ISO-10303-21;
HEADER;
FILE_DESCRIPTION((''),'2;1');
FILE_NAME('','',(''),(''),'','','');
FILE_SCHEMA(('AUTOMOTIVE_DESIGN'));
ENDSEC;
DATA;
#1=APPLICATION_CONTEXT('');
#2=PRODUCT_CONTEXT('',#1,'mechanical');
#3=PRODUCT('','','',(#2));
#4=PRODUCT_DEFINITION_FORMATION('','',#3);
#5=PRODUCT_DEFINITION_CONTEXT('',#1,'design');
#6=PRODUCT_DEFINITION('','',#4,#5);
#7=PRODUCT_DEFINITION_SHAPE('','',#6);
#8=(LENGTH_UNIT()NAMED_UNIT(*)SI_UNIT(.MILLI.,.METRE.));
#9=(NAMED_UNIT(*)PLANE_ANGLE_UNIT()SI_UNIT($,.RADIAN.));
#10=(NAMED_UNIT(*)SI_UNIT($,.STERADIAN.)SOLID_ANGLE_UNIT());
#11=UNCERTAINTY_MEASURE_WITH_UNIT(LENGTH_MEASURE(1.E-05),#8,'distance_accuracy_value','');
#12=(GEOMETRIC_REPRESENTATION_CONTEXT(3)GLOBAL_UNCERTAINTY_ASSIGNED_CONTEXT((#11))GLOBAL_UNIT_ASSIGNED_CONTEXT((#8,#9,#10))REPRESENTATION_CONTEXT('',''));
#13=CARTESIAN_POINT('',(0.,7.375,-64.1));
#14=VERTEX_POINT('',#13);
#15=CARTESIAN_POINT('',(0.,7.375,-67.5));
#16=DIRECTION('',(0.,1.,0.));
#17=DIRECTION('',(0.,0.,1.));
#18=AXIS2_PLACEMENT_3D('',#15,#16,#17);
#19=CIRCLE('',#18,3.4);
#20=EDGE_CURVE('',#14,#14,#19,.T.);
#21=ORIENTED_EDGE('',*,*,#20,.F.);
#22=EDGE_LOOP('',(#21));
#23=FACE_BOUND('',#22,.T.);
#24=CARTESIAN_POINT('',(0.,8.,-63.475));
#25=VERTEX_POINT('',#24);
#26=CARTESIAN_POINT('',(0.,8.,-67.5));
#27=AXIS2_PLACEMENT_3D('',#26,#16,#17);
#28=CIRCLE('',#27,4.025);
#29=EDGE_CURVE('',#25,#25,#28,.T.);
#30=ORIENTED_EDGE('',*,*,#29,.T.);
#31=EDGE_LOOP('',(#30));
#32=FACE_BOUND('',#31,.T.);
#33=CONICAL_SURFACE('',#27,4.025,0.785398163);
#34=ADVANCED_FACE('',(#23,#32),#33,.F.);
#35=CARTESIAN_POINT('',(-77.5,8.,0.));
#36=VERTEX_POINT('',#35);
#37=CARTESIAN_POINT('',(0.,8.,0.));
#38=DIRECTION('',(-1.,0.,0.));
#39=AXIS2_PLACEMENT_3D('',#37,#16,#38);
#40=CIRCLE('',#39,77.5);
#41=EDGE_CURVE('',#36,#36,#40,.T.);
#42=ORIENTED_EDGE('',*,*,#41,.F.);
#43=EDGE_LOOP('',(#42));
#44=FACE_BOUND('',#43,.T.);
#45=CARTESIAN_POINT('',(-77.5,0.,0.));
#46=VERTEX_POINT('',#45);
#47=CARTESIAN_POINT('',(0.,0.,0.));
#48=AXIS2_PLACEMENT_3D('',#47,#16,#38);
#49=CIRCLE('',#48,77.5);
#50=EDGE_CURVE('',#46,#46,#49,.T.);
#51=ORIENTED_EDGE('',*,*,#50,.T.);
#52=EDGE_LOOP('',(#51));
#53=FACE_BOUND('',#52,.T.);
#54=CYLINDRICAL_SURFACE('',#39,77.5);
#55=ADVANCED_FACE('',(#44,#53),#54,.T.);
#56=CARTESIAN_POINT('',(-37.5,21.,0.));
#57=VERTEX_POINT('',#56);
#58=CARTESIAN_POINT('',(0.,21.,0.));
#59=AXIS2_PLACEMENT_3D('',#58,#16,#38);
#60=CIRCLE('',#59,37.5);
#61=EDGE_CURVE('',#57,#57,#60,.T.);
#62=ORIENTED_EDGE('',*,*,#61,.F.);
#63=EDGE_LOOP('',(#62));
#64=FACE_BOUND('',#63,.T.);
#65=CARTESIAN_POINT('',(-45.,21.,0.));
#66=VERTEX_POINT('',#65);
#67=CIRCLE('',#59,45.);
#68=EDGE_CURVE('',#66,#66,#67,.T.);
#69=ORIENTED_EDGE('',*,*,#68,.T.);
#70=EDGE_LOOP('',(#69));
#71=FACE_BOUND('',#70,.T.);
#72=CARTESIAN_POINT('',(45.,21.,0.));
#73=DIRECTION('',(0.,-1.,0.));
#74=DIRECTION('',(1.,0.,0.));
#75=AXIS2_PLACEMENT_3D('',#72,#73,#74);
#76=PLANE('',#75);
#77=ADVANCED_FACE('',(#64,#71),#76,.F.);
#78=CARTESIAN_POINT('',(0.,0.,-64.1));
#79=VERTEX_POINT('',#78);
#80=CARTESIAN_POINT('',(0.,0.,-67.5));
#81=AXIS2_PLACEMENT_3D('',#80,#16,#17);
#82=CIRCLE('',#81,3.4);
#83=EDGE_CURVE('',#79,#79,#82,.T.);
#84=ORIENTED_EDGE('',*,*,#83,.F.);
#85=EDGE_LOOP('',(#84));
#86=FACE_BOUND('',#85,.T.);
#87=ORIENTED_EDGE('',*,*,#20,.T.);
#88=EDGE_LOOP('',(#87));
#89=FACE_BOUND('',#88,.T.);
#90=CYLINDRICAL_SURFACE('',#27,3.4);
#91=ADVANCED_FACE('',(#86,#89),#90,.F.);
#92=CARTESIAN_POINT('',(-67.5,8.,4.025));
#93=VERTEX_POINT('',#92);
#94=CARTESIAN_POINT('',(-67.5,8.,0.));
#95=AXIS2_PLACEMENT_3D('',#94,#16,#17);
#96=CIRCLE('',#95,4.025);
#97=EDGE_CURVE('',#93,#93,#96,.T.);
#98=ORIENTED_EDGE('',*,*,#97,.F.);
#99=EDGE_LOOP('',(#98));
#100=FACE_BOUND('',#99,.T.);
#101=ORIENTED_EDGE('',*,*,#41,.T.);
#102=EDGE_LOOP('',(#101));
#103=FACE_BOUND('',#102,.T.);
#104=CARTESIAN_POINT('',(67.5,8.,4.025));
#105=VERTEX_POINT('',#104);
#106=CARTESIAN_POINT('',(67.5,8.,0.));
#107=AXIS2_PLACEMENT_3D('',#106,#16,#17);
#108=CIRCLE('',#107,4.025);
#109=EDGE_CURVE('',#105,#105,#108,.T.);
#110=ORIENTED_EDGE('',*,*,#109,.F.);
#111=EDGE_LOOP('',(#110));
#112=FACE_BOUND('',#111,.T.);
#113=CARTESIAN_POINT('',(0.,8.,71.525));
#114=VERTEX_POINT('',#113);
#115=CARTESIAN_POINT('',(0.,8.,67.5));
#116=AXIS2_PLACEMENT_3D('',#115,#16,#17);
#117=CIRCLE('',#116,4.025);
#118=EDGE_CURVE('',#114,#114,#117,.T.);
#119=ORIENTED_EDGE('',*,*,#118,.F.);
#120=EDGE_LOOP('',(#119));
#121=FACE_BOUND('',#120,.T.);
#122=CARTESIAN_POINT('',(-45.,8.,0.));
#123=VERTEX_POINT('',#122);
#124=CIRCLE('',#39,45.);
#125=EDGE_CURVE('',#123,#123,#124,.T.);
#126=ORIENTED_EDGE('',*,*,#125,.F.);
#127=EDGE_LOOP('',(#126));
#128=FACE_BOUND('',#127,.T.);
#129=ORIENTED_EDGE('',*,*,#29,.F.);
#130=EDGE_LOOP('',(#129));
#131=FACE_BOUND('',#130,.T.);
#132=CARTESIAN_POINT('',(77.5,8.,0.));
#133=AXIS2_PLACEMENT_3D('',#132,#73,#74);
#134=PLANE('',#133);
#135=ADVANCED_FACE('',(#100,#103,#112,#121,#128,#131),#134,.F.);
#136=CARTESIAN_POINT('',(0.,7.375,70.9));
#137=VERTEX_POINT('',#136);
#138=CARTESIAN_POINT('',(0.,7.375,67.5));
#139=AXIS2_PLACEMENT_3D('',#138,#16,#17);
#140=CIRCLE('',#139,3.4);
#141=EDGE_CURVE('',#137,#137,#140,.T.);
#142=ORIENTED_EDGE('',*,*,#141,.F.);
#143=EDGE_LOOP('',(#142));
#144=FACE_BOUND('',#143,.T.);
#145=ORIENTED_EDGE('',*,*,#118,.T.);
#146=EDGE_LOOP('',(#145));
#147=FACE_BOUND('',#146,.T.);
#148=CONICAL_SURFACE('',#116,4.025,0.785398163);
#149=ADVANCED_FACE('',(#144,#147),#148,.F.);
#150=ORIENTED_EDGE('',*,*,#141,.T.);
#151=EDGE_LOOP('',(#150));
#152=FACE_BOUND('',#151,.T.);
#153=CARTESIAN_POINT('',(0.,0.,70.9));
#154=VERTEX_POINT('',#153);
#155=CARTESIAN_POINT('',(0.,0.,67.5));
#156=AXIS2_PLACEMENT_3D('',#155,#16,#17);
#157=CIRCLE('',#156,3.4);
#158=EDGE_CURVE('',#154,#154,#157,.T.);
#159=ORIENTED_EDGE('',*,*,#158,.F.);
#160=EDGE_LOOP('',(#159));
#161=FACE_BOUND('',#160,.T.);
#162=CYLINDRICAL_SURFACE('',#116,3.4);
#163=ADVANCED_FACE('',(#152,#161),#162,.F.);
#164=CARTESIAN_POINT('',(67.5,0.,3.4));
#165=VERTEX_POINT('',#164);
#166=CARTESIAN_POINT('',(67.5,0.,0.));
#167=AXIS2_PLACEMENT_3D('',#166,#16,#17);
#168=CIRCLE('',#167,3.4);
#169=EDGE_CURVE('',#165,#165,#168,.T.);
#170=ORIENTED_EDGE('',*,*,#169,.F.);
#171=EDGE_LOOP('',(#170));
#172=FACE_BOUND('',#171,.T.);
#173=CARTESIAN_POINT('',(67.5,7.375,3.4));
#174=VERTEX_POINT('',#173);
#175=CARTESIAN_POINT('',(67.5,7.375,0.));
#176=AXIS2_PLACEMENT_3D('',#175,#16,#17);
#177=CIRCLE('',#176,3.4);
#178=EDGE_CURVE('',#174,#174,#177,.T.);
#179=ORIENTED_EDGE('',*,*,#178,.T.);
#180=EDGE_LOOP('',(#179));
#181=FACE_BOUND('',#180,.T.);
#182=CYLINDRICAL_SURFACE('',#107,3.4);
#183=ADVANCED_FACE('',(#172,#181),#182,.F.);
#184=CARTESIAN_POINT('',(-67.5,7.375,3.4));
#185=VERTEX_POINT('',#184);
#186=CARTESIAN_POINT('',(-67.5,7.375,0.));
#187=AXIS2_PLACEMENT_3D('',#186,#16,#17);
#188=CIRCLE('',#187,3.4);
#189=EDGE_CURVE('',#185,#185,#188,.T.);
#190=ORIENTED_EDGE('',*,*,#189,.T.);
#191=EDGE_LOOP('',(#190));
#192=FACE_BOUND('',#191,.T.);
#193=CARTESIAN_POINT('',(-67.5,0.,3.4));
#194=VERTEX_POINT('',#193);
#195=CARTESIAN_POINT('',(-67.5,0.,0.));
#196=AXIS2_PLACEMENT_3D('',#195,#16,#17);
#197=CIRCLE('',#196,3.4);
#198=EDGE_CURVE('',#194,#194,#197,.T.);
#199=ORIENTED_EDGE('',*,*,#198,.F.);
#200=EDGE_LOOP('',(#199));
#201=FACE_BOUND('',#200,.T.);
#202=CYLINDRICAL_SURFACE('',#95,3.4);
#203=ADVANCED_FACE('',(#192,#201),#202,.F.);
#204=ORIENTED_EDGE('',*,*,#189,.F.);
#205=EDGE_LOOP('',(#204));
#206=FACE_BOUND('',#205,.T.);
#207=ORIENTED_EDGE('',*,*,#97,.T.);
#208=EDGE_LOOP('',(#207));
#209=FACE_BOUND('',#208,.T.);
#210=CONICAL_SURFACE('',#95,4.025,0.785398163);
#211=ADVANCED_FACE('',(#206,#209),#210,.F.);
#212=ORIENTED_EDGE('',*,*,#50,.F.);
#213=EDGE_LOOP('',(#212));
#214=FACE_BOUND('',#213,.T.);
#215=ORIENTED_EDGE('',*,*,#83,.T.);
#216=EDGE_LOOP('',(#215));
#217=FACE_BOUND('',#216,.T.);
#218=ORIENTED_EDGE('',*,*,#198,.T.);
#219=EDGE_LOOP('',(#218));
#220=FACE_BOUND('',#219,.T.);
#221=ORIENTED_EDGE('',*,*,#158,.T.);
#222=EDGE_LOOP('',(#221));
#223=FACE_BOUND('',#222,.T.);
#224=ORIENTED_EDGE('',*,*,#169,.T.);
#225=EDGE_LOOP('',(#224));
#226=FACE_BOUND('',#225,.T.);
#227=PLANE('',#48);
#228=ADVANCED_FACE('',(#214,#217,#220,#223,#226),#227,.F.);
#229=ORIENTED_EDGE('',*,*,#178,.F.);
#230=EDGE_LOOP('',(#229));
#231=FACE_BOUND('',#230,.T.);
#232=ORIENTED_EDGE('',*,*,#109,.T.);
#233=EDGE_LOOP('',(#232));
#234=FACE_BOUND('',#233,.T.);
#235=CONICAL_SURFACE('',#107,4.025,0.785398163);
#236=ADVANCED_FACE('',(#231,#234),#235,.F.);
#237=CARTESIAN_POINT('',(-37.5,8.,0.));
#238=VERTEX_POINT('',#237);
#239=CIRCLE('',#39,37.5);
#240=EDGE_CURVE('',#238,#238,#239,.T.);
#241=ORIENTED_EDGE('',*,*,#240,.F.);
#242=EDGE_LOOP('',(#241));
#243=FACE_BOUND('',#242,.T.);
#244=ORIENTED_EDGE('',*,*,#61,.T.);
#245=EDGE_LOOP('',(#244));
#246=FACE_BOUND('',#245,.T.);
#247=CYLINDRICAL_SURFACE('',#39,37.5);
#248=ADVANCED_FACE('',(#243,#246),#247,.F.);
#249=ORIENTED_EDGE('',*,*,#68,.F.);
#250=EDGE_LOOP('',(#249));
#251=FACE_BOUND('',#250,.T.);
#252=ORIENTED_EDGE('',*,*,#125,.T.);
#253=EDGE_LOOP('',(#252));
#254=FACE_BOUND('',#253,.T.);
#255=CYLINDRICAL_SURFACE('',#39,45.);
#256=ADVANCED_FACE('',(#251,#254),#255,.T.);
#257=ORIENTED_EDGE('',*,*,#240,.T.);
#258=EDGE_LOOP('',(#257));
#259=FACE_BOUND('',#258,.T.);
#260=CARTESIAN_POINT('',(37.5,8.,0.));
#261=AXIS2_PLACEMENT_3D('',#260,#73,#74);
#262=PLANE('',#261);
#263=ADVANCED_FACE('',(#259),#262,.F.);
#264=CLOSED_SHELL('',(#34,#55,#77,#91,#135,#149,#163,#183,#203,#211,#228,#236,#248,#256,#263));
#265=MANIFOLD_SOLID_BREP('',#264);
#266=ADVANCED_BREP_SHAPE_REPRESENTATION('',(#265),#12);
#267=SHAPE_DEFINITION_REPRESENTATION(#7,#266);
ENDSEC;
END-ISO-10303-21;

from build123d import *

# Parameters (mm, degrees)
HOLE_WIZARD_M8_1_D           = 6.8
HOLE_WIZARD_M8_1_CSINK_D     = 8.05
HOLE_WIZARD_M8_1_CSINK_ANGLE = 90


with BuildPart() as part:
    # 草图1 → 旋转1 (revolve)
    with BuildSketch(Plane.XY, mode=Mode.PRIVATE) as revolve_1_sk:
        Polygon((0, 0), (77.5, 0), (77.5, 8), (45, 8), (45, 21), (37.5, 21), (37.5, 8), (0, 8), align=None)
    revolve(revolve_1_sk.sketch.rotate(Axis((0, 8, 0), (0, -1, 0)), 180), axis=Axis((0, 8, 0), (0, -1, 0)))

    # M8 螺纹孔1 (through all)
    with Locations(Plane(origin=(0, 8, 0), x_dir=(1, 0, 0), z_dir=(0, 1, 0))):
        with Locations((-67.5, 0), (67.5, 0), (0, -67.5), (0, 67.5)):
            CounterSinkHole(HOLE_WIZARD_M8_1_D / 2, HOLE_WIZARD_M8_1_CSINK_D / 2, counter_sink_angle=HOLE_WIZARD_M8_1_CSINK_ANGLE)


solid = part.part
